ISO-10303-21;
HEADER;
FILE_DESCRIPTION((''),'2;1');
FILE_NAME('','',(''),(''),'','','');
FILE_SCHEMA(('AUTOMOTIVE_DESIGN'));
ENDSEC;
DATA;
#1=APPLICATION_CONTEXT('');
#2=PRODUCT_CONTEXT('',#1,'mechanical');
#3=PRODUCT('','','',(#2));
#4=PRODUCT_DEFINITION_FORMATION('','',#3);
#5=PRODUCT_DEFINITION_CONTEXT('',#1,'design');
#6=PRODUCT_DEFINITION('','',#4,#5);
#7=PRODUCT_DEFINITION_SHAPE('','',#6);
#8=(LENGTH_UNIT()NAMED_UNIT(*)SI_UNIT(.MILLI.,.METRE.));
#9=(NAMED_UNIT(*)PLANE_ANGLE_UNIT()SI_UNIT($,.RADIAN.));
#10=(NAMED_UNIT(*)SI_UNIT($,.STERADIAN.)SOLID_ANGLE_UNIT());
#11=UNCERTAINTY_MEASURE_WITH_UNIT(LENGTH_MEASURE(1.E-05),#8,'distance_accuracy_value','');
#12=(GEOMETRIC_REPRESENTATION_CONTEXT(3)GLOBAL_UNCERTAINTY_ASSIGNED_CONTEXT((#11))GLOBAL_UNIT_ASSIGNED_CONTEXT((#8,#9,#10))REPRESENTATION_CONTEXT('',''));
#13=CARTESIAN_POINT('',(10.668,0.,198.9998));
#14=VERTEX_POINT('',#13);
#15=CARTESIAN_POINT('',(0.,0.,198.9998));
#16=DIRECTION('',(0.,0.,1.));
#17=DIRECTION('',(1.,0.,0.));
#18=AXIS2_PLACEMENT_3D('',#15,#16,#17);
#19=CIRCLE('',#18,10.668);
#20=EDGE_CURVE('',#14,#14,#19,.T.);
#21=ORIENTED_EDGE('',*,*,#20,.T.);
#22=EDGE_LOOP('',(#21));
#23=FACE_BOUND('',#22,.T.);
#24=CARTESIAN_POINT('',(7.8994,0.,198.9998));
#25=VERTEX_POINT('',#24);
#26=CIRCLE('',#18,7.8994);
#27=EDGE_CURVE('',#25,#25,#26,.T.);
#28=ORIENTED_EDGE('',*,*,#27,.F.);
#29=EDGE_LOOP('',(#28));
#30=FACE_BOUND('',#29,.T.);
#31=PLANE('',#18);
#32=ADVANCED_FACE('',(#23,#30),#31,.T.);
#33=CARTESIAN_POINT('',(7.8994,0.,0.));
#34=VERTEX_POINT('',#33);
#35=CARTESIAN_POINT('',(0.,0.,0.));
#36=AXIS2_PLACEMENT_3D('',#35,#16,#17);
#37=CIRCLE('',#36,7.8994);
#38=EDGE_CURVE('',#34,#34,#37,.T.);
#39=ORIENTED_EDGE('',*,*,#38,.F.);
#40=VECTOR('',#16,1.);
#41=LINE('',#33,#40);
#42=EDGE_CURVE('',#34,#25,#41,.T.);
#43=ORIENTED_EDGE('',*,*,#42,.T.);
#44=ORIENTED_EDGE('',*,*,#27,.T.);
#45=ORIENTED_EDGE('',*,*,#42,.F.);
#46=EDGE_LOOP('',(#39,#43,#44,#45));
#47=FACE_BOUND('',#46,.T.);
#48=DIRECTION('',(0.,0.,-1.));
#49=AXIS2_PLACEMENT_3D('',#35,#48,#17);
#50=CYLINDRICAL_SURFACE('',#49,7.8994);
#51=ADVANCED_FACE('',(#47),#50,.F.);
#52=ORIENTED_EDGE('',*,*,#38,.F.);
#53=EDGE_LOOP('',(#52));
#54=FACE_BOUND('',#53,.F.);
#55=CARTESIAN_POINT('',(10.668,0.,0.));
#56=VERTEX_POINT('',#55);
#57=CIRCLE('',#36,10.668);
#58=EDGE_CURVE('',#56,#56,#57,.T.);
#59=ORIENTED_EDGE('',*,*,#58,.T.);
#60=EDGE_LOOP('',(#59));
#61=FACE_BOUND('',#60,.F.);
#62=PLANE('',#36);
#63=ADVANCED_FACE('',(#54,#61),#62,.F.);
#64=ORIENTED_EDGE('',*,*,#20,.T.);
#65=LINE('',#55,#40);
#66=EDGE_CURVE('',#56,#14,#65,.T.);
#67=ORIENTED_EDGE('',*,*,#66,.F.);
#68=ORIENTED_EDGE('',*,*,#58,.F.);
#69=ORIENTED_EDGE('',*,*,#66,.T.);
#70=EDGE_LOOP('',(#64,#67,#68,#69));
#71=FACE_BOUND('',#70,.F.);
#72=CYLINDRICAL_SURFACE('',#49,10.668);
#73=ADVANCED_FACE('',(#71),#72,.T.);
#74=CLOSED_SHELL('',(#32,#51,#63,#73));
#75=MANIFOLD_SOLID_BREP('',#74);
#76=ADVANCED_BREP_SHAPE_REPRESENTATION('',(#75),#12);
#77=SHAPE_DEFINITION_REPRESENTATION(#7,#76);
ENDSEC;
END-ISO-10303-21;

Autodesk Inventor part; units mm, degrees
ref_plane "YZ Plane" through (0, 0, 0) normal (1, 0, 0) x (0, 1, 0)
ref_plane "Start Plane" through (0, 0, 0) normal (0, 0, 1) x (1, 0, 0)
ref_plane "End Plane" through (0, 0, 198.9998) normal (0, 0, 1) x (1, 0, 0)
sketch "Sketch" plane through (0, 0, 0) normal (0, 0, 1) x (1, 0, 0)
  circle A0 centre (0, 0) radius 7.8994
  circle A1 centre (0, 0) radius 10.668
  dimension "d0" = 21.336
  dimension "d1" = 2.7686
extrude "Body" add sketch "Sketch" along normal up to surface (198.9998 mm away) from surface at 0
sketch "Sketch3" plane through (0, 0, 0) normal (0, 0, 1) x (1, 0, 0)
  line L0 (0, 0) -> (10, 0)
ref_plane "Work Plane3" through (0, 0, 0) normal (0, -1, 0) x (1, 0, 0)
sketch "Sketch4" plane through (0, 0, 0) normal (0, -1, 0) x (1, 0, 0)
  line L0 (-2, 0) -> (12, 0) projected
  line L1 (-2, 198.9998) -> (12, 198.9998) projected
  dimension "d7" = 198.9998
equation "\"d0\" = G_H"
equation "\"d1\" = G_T"
equation "\"d2\" = G_L"
equation "\"G_H\" = 21.336"
equation "\"G_T\" = 2.7686"
equation "\"G_L\" = d7"
equation "\"G_OFFSET_START\" = 0"
equation "\"G_OFFSET_END\" = 0"
equation "\"d5\" = G_OFFSET_END + B_L"
equation "\"B_L\" = 198.99977"
properties part number "ANSI - 1/2 x 0.109 - 7.835" material "Steel, Mild"
